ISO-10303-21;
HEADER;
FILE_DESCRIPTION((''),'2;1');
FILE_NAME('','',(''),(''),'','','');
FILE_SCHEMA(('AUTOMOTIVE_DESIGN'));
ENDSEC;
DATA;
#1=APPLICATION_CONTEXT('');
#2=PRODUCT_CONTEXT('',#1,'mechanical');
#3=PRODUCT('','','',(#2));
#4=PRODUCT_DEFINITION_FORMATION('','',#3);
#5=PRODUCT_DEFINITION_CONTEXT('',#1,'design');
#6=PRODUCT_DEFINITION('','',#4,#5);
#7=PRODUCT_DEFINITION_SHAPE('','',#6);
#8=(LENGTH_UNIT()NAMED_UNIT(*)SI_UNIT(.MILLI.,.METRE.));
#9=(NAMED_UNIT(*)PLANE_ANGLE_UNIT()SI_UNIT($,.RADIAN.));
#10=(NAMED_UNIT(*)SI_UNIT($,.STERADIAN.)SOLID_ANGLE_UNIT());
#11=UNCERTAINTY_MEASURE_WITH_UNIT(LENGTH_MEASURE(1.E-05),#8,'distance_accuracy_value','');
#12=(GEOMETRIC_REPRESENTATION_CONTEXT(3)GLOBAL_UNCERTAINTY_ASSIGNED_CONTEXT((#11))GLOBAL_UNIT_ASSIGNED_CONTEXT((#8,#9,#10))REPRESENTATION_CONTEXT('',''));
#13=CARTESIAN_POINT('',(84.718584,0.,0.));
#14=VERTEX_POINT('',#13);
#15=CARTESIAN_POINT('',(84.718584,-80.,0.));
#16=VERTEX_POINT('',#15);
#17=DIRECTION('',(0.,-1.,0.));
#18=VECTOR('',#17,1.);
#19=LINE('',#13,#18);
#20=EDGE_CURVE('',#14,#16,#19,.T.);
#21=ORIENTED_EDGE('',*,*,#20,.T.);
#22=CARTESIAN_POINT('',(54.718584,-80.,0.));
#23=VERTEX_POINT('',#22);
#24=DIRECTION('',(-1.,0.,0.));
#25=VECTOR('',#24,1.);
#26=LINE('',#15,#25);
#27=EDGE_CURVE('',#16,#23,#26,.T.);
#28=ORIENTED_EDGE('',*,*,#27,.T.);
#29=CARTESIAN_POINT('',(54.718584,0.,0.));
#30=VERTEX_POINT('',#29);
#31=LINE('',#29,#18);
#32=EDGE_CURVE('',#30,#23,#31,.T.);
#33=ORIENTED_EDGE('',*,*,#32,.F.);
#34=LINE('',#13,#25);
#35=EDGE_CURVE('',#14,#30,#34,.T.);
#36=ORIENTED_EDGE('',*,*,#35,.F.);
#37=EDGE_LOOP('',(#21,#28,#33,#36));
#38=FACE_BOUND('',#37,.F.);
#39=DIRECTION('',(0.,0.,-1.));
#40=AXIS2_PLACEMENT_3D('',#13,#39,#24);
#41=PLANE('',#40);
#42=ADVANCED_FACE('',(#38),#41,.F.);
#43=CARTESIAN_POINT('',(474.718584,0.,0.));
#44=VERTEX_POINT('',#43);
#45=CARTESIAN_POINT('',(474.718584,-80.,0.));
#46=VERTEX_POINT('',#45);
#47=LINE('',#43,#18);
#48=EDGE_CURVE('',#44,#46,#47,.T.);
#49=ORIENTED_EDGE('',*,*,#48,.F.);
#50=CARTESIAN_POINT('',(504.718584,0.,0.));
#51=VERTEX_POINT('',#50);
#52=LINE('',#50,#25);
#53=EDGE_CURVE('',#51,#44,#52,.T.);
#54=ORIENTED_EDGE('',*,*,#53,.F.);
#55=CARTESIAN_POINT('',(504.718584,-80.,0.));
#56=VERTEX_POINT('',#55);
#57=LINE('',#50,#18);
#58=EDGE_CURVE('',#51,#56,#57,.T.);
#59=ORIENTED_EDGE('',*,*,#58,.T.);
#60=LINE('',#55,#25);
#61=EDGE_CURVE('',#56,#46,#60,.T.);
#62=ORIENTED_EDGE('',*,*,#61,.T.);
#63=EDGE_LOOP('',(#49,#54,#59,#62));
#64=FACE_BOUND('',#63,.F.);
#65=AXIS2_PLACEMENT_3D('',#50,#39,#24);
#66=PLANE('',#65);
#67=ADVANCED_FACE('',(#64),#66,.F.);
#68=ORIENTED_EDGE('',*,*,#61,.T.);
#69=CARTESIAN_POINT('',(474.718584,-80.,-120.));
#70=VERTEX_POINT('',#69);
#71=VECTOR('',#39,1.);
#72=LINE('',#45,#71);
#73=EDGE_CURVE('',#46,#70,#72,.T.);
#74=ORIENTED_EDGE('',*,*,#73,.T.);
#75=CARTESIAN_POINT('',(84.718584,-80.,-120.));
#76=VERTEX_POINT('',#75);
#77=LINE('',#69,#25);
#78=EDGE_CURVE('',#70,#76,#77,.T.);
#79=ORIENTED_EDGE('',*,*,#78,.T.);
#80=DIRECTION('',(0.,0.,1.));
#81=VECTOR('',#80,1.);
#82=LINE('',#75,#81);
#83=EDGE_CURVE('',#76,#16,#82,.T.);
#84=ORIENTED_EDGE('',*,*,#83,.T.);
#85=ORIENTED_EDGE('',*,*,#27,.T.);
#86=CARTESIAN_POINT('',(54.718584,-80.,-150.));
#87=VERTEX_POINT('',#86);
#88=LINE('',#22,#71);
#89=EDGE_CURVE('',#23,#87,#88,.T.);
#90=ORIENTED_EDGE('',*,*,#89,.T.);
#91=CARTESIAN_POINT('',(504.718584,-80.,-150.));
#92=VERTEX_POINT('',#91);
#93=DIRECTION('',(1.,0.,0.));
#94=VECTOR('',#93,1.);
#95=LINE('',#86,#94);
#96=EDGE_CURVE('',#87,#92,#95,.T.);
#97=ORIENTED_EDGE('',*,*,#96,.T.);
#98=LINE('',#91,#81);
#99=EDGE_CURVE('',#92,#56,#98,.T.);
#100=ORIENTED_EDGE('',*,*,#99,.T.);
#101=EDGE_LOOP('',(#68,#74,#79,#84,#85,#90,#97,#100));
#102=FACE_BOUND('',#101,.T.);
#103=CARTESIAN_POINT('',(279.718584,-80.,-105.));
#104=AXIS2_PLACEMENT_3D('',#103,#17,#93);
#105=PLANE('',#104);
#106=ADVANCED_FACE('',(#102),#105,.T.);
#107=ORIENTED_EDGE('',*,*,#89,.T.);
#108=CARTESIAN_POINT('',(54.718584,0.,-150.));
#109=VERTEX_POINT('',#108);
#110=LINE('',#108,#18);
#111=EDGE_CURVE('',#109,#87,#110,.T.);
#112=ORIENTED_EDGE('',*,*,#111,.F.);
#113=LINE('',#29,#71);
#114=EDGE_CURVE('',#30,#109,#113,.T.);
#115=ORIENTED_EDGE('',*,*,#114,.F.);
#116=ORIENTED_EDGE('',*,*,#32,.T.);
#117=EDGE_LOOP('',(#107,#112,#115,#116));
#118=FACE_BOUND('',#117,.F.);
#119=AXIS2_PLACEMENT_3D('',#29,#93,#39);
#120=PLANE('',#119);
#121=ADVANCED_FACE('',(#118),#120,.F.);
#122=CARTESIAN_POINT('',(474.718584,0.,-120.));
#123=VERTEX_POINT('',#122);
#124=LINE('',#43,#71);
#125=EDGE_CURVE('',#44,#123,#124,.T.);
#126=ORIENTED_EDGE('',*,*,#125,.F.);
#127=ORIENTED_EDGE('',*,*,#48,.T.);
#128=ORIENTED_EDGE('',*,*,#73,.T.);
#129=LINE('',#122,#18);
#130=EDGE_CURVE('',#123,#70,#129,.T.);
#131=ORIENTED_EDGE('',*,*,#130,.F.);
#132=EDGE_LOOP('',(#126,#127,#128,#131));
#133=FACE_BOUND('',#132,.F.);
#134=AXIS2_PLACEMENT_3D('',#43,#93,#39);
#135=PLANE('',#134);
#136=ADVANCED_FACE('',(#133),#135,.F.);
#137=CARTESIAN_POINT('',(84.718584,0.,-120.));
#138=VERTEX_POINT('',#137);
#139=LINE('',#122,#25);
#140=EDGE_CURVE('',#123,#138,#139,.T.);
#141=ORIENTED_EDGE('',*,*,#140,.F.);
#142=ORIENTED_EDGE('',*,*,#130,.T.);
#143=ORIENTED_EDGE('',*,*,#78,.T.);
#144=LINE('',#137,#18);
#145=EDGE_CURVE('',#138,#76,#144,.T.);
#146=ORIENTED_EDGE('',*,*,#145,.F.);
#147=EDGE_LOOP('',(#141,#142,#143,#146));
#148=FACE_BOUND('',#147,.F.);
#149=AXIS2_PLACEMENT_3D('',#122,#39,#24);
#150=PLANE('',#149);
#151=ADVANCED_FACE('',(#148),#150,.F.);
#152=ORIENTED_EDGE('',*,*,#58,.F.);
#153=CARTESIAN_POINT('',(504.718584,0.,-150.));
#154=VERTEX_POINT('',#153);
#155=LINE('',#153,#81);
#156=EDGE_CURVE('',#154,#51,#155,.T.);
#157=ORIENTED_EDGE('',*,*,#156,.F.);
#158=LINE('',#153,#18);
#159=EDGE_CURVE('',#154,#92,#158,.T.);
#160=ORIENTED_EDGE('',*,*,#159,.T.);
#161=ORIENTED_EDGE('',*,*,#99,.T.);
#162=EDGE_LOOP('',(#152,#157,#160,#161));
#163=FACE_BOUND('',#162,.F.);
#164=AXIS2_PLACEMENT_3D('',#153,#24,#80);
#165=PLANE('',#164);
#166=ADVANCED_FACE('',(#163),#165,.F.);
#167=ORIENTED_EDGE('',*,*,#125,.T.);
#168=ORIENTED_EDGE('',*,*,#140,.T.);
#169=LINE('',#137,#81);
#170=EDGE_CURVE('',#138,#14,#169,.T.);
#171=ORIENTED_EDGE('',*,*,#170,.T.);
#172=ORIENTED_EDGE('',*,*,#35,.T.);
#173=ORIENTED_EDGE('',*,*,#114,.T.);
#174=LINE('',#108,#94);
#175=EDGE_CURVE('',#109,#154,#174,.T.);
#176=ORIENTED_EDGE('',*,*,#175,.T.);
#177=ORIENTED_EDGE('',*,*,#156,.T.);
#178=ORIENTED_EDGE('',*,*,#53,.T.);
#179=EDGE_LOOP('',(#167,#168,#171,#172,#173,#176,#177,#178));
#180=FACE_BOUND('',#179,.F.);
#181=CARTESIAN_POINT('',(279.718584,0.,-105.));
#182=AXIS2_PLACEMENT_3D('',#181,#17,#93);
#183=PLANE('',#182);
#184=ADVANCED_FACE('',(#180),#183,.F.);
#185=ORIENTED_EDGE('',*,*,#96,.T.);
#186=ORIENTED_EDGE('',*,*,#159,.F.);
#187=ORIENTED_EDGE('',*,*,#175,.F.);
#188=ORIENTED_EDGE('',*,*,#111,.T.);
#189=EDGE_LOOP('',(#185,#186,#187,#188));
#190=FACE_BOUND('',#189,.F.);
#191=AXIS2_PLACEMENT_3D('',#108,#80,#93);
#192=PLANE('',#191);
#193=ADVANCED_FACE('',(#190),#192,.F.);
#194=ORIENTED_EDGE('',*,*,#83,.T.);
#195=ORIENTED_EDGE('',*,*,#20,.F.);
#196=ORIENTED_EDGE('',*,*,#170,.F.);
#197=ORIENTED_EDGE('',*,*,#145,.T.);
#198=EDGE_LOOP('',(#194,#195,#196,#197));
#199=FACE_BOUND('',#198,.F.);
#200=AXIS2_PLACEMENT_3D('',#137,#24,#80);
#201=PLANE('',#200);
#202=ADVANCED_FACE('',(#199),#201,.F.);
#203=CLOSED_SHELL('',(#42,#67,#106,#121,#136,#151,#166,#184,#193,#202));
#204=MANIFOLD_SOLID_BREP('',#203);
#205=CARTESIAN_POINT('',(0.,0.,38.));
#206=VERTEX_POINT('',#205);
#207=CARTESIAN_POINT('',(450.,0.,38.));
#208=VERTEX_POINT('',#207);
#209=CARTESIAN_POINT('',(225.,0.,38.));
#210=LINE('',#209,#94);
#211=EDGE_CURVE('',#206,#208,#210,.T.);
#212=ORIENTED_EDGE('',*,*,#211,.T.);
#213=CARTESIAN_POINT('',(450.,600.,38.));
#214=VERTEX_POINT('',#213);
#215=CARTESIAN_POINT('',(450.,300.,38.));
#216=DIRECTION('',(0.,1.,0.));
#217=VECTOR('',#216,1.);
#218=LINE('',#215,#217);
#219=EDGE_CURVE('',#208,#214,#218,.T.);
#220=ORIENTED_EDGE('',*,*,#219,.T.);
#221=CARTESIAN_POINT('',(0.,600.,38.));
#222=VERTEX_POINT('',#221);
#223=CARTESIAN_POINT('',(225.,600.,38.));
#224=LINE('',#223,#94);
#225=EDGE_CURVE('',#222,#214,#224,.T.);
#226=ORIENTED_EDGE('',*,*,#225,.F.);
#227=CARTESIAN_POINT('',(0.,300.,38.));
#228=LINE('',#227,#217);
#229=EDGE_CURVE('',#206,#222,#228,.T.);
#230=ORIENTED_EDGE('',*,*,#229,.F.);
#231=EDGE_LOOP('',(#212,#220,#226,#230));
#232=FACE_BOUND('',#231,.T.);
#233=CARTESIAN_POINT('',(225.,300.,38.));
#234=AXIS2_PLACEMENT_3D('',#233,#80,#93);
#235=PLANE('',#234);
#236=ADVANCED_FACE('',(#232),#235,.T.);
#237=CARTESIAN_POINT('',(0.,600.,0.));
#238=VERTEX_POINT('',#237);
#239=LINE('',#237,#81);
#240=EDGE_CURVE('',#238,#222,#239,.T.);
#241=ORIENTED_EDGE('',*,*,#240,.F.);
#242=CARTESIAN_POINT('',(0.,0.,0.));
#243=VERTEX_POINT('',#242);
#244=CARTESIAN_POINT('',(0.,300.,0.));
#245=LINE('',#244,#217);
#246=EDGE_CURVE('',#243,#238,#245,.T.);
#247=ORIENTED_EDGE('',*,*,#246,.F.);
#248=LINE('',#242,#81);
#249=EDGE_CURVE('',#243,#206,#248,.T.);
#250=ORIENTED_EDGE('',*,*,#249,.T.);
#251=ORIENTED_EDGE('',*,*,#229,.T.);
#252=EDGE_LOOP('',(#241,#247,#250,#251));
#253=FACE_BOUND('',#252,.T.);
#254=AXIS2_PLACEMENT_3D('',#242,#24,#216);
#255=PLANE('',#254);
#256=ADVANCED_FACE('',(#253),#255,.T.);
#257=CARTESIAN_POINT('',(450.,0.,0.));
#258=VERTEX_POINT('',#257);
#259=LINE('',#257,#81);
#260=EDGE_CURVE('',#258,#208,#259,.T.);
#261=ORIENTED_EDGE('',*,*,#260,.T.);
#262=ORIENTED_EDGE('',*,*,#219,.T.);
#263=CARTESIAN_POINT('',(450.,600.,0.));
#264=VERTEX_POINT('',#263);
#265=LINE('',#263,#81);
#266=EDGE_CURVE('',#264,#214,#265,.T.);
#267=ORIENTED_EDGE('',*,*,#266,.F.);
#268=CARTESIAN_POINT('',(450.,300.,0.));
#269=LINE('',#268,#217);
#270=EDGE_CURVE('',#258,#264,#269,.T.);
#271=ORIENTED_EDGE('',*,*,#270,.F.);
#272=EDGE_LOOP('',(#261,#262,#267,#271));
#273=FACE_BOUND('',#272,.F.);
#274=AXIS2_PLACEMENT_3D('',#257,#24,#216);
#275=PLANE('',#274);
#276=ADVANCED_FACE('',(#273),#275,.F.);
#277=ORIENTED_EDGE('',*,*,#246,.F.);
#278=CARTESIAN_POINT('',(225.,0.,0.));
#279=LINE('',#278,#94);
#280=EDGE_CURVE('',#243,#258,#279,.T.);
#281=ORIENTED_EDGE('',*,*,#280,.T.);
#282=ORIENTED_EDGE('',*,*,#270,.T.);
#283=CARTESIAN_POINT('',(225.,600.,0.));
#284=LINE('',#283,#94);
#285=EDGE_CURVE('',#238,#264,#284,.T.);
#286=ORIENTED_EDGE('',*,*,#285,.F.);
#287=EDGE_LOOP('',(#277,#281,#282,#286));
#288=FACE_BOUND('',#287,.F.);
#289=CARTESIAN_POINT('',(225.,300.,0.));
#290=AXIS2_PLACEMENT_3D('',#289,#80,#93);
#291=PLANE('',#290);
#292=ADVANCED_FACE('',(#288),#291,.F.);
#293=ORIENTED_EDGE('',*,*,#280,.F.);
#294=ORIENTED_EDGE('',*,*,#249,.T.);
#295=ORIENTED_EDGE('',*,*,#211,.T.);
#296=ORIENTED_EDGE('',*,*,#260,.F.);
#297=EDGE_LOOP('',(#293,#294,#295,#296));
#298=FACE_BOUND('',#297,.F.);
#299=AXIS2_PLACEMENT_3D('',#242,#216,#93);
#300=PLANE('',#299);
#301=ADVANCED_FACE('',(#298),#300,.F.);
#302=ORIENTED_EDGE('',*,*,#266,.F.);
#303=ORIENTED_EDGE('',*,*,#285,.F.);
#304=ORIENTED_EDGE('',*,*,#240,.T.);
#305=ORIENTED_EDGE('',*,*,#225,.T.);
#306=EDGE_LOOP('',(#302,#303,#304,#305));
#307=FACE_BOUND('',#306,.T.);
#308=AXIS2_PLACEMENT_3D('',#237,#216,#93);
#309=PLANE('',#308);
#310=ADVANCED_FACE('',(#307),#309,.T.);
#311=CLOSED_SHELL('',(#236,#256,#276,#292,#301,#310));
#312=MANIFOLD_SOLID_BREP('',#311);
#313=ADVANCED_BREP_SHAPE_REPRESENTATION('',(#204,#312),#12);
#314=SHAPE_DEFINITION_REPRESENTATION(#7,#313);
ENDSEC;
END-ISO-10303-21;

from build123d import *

# Parameters (mm, degrees)
F0_W     = 450
F0_H     = 600
F1_DEPTH = 38
F3_DEPTH = 80


with BuildPart() as f1:
    # F0 (on Top) → F1 (new body)
    with BuildSketch(Plane.XY):
        with Locations((225, 300)):
            Rectangle(F0_W, F0_H)
    extrude(amount=F1_DEPTH)


with BuildPart() as f3:
    # F2 (on Front) → F3 (new body)
    with BuildSketch(Plane.XZ):
        Polygon((84.718584, 0), (54.718584, 0), (54.718584, -150), (504.718584, -150), (504.718584, 0), (474.718584, 0), (474.718584, -120), (84.718584, -120), align=None)
    extrude(amount=F3_DEPTH)


solid = Compound([f1.part, f3.part])
